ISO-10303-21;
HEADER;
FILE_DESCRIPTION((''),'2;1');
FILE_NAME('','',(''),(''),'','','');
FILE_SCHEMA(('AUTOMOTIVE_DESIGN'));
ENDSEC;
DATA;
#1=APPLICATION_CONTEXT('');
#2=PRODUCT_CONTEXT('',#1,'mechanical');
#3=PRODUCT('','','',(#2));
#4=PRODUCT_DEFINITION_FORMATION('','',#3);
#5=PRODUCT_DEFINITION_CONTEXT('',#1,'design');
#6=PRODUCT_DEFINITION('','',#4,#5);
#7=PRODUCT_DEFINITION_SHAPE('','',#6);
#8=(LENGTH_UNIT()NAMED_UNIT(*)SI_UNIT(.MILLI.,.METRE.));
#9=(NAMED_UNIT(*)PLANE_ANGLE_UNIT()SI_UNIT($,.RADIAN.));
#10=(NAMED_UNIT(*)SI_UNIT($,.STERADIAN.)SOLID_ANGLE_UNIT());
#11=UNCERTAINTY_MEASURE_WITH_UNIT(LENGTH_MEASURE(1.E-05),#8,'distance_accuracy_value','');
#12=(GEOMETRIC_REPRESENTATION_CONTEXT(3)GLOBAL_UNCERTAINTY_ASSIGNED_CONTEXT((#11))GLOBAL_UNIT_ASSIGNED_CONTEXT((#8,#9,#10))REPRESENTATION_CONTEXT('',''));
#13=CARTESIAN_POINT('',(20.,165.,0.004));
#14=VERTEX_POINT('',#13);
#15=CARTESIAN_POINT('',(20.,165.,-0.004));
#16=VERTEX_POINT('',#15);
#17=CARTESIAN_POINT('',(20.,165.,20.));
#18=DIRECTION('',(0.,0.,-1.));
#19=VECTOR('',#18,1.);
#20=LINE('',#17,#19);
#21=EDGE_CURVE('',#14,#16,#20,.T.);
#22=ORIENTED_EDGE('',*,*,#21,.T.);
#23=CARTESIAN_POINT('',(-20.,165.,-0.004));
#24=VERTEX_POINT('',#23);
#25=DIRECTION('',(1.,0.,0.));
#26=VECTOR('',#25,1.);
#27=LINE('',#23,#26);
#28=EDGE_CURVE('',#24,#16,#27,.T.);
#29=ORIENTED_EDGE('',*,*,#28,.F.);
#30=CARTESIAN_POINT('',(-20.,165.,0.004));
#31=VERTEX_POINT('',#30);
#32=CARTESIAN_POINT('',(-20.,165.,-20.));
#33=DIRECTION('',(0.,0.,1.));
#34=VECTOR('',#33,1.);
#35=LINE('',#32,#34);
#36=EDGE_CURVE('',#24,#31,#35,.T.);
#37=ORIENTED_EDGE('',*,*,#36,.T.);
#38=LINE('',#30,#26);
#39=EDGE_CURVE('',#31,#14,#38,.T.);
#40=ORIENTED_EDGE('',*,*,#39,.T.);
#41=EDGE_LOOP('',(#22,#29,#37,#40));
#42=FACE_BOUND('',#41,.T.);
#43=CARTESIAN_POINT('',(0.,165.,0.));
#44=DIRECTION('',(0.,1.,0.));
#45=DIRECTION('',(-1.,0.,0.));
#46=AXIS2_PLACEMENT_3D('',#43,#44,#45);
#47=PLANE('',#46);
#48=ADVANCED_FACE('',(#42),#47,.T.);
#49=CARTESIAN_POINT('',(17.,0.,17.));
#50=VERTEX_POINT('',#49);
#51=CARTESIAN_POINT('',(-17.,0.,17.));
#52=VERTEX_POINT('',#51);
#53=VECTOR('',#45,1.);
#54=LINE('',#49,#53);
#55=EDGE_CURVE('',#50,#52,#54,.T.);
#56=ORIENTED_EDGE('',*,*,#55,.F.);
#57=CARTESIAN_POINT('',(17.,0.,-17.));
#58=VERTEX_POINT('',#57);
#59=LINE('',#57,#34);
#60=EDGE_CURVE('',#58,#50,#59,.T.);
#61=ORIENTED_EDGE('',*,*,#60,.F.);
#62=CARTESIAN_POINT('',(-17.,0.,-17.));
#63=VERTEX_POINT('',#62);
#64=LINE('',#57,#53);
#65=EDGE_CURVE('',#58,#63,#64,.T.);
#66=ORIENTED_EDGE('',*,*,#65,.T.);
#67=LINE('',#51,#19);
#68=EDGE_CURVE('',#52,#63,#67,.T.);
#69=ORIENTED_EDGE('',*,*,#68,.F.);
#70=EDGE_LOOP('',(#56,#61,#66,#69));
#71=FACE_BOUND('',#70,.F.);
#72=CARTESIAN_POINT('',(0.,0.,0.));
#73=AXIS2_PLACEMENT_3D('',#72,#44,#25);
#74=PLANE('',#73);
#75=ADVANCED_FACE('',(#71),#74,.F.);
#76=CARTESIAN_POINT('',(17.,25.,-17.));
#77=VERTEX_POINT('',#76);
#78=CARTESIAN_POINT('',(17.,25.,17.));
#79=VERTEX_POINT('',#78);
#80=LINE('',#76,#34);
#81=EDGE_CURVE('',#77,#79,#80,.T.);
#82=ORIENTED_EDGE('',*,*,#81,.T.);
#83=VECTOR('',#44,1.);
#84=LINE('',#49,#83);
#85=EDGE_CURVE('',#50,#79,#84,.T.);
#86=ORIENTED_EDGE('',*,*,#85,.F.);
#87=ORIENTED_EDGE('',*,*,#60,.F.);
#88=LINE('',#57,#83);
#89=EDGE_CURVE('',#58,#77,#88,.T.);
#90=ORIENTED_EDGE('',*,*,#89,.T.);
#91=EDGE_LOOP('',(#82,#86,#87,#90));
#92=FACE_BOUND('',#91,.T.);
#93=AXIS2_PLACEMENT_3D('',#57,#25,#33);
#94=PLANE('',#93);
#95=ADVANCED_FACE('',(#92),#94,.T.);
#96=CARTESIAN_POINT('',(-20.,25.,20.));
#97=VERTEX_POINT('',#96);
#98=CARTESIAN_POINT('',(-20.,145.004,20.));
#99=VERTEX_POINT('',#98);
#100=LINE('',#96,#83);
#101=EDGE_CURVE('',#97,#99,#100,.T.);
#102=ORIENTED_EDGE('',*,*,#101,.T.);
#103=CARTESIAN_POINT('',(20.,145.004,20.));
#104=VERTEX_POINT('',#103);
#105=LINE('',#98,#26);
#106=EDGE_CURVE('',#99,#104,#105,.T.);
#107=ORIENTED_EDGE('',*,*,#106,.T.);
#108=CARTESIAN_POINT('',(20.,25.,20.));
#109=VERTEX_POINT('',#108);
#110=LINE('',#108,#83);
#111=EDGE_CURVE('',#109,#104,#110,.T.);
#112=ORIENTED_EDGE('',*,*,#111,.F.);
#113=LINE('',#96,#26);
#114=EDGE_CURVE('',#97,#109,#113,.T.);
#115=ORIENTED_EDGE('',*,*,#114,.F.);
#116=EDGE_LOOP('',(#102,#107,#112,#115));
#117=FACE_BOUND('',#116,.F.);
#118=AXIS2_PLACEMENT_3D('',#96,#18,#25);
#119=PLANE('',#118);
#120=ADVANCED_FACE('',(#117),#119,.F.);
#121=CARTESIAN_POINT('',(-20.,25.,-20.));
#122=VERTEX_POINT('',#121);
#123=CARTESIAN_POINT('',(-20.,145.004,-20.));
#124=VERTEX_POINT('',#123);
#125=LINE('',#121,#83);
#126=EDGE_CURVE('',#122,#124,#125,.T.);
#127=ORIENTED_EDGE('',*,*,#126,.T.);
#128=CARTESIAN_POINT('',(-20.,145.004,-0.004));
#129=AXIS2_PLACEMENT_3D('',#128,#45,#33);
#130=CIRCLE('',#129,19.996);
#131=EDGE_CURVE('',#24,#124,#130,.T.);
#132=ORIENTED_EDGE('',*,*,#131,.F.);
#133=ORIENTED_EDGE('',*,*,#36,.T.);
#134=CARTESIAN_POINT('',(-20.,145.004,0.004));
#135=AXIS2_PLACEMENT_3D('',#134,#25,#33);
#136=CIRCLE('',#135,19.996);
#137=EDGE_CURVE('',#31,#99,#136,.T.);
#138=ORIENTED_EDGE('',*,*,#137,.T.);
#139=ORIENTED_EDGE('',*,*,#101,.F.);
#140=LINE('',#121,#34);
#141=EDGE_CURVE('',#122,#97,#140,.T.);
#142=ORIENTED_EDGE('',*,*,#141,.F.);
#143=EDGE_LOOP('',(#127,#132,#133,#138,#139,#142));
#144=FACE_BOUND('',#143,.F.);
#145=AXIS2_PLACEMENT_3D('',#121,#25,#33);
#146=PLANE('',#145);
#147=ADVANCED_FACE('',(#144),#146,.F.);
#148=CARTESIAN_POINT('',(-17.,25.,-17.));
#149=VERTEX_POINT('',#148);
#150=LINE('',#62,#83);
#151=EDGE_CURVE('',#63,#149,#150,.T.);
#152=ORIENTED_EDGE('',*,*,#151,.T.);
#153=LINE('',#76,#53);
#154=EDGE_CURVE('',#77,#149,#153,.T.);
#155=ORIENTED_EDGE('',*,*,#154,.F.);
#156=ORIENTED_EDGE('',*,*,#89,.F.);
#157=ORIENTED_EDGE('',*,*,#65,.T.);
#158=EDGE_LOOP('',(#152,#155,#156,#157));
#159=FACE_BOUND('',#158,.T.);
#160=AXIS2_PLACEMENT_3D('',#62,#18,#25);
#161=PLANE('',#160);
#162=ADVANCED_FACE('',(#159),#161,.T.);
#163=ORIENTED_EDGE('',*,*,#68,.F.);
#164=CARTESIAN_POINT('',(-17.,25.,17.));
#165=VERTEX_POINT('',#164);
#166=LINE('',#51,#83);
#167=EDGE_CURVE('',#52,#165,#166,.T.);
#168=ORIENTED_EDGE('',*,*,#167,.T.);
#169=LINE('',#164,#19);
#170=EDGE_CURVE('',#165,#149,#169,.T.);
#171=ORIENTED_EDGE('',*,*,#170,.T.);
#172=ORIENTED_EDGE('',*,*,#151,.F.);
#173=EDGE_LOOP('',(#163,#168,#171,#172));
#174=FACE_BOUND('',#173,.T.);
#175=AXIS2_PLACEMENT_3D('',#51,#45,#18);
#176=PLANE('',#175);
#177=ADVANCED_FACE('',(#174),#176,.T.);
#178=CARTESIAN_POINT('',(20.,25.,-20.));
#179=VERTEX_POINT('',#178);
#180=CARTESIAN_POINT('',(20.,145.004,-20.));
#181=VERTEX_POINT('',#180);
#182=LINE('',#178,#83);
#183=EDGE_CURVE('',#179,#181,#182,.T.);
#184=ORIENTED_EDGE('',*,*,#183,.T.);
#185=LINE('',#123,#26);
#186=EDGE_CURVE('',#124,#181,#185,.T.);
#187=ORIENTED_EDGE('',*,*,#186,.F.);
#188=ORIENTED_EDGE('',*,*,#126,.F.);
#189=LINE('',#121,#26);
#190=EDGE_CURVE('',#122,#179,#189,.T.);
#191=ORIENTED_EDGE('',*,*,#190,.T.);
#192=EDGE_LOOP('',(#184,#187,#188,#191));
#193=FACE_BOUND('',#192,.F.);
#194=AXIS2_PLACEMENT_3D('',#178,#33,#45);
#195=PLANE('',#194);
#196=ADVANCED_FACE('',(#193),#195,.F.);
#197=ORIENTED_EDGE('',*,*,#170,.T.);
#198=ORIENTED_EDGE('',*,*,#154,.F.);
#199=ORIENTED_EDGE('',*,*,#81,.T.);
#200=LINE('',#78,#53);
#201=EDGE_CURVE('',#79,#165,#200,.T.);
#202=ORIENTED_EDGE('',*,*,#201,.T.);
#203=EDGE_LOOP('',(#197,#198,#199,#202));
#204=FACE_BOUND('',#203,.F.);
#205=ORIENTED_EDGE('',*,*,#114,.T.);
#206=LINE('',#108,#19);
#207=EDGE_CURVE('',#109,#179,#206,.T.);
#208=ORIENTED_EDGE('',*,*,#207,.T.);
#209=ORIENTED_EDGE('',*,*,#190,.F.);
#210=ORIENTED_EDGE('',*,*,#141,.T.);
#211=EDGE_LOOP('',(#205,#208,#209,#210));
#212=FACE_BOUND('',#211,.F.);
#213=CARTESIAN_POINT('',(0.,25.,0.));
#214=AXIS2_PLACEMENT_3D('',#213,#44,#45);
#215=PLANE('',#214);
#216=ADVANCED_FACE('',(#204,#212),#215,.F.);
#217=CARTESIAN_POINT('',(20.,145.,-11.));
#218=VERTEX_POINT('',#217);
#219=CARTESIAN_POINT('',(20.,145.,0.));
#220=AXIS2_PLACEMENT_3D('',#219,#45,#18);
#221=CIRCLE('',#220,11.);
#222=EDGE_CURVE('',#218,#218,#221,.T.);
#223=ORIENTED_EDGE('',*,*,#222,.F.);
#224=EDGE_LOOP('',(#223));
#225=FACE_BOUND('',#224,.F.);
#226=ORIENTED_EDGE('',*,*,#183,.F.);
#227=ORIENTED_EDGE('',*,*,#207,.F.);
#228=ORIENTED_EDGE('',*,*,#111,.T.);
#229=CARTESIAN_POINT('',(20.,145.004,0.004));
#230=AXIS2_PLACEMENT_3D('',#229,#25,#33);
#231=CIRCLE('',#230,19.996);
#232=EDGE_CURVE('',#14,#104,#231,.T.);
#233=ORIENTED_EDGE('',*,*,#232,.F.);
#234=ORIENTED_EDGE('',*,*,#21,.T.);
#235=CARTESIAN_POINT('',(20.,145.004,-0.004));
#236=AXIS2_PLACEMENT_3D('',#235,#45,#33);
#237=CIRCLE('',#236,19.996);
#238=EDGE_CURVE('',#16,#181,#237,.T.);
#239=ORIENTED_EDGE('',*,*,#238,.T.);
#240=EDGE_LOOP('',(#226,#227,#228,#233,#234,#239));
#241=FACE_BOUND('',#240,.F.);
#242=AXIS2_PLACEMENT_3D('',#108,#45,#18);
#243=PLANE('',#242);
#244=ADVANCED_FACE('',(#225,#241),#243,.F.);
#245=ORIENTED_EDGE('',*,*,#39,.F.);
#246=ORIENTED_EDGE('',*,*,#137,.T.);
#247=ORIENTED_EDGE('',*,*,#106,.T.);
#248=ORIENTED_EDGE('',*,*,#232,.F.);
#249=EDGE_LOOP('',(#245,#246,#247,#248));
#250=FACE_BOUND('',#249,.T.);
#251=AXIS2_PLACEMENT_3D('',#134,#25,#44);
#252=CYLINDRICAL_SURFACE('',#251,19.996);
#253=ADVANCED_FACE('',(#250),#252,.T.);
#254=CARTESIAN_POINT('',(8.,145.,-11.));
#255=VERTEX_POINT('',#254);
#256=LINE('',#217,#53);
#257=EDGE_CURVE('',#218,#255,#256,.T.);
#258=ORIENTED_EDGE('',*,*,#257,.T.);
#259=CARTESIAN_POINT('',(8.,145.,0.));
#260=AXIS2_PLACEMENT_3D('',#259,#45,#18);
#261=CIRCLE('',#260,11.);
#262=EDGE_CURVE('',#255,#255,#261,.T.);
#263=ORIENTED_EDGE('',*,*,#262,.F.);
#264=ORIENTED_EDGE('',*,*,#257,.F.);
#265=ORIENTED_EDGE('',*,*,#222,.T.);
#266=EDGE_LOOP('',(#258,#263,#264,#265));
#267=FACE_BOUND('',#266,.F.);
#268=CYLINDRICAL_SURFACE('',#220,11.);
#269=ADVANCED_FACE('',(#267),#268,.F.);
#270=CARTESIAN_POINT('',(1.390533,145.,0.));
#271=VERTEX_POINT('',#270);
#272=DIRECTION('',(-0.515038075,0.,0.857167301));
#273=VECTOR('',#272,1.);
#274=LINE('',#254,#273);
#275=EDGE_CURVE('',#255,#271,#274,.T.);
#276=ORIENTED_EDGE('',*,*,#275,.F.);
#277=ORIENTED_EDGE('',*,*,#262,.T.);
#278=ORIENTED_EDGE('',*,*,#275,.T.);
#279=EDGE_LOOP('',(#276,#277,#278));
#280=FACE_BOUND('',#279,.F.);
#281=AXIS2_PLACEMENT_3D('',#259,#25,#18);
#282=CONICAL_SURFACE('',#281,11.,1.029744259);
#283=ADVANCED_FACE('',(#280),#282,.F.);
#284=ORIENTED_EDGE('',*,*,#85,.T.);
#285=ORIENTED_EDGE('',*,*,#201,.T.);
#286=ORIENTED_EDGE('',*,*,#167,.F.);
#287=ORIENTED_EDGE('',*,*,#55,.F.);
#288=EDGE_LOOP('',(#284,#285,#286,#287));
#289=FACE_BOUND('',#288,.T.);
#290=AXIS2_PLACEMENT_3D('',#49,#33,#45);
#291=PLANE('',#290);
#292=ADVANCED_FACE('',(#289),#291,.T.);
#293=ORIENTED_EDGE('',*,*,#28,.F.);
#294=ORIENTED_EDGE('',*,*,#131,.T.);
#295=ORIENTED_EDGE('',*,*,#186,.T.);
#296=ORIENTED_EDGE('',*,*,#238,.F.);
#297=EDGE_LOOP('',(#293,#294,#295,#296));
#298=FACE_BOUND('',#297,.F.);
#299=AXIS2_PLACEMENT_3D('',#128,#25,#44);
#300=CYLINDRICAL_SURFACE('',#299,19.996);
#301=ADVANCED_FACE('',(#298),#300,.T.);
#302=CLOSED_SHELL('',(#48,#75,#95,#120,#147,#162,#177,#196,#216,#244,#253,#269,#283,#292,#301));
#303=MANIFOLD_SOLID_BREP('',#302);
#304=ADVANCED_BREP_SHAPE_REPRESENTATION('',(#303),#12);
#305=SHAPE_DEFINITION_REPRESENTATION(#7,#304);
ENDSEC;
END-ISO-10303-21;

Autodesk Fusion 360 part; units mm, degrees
sketch "Sketch1" plane through (0, 0, 0) normal (0, 1, 0) x (1, 0, 0)
  line L0 (0, 17) -> (17, 17)
  line L1 (17, 17) -> (17, -17)
  line L2 (17, -17) -> (-17, -17)
  line L3 (-17, -17) -> (-17, 17)
  line L4 (-17, 17) -> (0, 17)
  dimension "d4" = 34
  dimension "d5" = 34
extrude "Extrude1" add sketch "Sketch1" along normal blind 25
sketch "Sketch2" plane through (0, 25, 0) normal (0, 1, 0) x (-1, 0, 0)
  line L0 (17, -17) -> (17, 17)
  line L1 (17, 17) -> (-17, 17)
  line L2 (-17, 17) -> (-17, -17)
  line L3 (-17, -17) -> (17, -17)
  line L4 (0, -20) -> (20, -20)
  line L5 (20, -20) -> (20, 20)
  line L6 (20, 20) -> (-20, 20)
  line L7 (-20, 20) -> (-20, -20)
  line L8 (-20, -20) -> (0, -20)
  dimension "d12" = 40
extrude "Extrude2" add sketch "Sketch2" along normal blind 140 contours L0 L1 L2 L3 | L4 L5 L6 L7 L8
sketch "Sketch3" plane through (0, 165, 0) normal (0, 1, 0) x (-1, 0, 0)
  line L0 (-20, -20) -> (20, -20)
  line L1 (20, -20) -> (20, 20)
  line L2 (20, 20) -> (-20, 20)
  line L3 (-20, 20) -> (-20, -20)
  line L4 (0, -17) -> (17, -17)
  line L5 (17, -17) -> (17, 17)
  line L6 (17, 17) -> (-17, 17)
  line L7 (-17, 17) -> (-17, -17)
  line L8 (-17, -17) -> (0, -17)
  dimension "d19" = 34
extrude "Extrude3" cut sketch "Sketch3" against normal blind 25 contours L4 L5 L6 L7 L8
extrude "Extrude4" add 1 faces at (5.6667, 140, -5.6667) along direction (0, 1, 0) blind 25
fillet "Fillet1" radius 20 2 edges at (0, 165, 20) (0, 165, -20)
hole "Hole1" at (20, 145, 0) direction (-1, 0, 0) diameter 22 depth 12 tip angle 118
